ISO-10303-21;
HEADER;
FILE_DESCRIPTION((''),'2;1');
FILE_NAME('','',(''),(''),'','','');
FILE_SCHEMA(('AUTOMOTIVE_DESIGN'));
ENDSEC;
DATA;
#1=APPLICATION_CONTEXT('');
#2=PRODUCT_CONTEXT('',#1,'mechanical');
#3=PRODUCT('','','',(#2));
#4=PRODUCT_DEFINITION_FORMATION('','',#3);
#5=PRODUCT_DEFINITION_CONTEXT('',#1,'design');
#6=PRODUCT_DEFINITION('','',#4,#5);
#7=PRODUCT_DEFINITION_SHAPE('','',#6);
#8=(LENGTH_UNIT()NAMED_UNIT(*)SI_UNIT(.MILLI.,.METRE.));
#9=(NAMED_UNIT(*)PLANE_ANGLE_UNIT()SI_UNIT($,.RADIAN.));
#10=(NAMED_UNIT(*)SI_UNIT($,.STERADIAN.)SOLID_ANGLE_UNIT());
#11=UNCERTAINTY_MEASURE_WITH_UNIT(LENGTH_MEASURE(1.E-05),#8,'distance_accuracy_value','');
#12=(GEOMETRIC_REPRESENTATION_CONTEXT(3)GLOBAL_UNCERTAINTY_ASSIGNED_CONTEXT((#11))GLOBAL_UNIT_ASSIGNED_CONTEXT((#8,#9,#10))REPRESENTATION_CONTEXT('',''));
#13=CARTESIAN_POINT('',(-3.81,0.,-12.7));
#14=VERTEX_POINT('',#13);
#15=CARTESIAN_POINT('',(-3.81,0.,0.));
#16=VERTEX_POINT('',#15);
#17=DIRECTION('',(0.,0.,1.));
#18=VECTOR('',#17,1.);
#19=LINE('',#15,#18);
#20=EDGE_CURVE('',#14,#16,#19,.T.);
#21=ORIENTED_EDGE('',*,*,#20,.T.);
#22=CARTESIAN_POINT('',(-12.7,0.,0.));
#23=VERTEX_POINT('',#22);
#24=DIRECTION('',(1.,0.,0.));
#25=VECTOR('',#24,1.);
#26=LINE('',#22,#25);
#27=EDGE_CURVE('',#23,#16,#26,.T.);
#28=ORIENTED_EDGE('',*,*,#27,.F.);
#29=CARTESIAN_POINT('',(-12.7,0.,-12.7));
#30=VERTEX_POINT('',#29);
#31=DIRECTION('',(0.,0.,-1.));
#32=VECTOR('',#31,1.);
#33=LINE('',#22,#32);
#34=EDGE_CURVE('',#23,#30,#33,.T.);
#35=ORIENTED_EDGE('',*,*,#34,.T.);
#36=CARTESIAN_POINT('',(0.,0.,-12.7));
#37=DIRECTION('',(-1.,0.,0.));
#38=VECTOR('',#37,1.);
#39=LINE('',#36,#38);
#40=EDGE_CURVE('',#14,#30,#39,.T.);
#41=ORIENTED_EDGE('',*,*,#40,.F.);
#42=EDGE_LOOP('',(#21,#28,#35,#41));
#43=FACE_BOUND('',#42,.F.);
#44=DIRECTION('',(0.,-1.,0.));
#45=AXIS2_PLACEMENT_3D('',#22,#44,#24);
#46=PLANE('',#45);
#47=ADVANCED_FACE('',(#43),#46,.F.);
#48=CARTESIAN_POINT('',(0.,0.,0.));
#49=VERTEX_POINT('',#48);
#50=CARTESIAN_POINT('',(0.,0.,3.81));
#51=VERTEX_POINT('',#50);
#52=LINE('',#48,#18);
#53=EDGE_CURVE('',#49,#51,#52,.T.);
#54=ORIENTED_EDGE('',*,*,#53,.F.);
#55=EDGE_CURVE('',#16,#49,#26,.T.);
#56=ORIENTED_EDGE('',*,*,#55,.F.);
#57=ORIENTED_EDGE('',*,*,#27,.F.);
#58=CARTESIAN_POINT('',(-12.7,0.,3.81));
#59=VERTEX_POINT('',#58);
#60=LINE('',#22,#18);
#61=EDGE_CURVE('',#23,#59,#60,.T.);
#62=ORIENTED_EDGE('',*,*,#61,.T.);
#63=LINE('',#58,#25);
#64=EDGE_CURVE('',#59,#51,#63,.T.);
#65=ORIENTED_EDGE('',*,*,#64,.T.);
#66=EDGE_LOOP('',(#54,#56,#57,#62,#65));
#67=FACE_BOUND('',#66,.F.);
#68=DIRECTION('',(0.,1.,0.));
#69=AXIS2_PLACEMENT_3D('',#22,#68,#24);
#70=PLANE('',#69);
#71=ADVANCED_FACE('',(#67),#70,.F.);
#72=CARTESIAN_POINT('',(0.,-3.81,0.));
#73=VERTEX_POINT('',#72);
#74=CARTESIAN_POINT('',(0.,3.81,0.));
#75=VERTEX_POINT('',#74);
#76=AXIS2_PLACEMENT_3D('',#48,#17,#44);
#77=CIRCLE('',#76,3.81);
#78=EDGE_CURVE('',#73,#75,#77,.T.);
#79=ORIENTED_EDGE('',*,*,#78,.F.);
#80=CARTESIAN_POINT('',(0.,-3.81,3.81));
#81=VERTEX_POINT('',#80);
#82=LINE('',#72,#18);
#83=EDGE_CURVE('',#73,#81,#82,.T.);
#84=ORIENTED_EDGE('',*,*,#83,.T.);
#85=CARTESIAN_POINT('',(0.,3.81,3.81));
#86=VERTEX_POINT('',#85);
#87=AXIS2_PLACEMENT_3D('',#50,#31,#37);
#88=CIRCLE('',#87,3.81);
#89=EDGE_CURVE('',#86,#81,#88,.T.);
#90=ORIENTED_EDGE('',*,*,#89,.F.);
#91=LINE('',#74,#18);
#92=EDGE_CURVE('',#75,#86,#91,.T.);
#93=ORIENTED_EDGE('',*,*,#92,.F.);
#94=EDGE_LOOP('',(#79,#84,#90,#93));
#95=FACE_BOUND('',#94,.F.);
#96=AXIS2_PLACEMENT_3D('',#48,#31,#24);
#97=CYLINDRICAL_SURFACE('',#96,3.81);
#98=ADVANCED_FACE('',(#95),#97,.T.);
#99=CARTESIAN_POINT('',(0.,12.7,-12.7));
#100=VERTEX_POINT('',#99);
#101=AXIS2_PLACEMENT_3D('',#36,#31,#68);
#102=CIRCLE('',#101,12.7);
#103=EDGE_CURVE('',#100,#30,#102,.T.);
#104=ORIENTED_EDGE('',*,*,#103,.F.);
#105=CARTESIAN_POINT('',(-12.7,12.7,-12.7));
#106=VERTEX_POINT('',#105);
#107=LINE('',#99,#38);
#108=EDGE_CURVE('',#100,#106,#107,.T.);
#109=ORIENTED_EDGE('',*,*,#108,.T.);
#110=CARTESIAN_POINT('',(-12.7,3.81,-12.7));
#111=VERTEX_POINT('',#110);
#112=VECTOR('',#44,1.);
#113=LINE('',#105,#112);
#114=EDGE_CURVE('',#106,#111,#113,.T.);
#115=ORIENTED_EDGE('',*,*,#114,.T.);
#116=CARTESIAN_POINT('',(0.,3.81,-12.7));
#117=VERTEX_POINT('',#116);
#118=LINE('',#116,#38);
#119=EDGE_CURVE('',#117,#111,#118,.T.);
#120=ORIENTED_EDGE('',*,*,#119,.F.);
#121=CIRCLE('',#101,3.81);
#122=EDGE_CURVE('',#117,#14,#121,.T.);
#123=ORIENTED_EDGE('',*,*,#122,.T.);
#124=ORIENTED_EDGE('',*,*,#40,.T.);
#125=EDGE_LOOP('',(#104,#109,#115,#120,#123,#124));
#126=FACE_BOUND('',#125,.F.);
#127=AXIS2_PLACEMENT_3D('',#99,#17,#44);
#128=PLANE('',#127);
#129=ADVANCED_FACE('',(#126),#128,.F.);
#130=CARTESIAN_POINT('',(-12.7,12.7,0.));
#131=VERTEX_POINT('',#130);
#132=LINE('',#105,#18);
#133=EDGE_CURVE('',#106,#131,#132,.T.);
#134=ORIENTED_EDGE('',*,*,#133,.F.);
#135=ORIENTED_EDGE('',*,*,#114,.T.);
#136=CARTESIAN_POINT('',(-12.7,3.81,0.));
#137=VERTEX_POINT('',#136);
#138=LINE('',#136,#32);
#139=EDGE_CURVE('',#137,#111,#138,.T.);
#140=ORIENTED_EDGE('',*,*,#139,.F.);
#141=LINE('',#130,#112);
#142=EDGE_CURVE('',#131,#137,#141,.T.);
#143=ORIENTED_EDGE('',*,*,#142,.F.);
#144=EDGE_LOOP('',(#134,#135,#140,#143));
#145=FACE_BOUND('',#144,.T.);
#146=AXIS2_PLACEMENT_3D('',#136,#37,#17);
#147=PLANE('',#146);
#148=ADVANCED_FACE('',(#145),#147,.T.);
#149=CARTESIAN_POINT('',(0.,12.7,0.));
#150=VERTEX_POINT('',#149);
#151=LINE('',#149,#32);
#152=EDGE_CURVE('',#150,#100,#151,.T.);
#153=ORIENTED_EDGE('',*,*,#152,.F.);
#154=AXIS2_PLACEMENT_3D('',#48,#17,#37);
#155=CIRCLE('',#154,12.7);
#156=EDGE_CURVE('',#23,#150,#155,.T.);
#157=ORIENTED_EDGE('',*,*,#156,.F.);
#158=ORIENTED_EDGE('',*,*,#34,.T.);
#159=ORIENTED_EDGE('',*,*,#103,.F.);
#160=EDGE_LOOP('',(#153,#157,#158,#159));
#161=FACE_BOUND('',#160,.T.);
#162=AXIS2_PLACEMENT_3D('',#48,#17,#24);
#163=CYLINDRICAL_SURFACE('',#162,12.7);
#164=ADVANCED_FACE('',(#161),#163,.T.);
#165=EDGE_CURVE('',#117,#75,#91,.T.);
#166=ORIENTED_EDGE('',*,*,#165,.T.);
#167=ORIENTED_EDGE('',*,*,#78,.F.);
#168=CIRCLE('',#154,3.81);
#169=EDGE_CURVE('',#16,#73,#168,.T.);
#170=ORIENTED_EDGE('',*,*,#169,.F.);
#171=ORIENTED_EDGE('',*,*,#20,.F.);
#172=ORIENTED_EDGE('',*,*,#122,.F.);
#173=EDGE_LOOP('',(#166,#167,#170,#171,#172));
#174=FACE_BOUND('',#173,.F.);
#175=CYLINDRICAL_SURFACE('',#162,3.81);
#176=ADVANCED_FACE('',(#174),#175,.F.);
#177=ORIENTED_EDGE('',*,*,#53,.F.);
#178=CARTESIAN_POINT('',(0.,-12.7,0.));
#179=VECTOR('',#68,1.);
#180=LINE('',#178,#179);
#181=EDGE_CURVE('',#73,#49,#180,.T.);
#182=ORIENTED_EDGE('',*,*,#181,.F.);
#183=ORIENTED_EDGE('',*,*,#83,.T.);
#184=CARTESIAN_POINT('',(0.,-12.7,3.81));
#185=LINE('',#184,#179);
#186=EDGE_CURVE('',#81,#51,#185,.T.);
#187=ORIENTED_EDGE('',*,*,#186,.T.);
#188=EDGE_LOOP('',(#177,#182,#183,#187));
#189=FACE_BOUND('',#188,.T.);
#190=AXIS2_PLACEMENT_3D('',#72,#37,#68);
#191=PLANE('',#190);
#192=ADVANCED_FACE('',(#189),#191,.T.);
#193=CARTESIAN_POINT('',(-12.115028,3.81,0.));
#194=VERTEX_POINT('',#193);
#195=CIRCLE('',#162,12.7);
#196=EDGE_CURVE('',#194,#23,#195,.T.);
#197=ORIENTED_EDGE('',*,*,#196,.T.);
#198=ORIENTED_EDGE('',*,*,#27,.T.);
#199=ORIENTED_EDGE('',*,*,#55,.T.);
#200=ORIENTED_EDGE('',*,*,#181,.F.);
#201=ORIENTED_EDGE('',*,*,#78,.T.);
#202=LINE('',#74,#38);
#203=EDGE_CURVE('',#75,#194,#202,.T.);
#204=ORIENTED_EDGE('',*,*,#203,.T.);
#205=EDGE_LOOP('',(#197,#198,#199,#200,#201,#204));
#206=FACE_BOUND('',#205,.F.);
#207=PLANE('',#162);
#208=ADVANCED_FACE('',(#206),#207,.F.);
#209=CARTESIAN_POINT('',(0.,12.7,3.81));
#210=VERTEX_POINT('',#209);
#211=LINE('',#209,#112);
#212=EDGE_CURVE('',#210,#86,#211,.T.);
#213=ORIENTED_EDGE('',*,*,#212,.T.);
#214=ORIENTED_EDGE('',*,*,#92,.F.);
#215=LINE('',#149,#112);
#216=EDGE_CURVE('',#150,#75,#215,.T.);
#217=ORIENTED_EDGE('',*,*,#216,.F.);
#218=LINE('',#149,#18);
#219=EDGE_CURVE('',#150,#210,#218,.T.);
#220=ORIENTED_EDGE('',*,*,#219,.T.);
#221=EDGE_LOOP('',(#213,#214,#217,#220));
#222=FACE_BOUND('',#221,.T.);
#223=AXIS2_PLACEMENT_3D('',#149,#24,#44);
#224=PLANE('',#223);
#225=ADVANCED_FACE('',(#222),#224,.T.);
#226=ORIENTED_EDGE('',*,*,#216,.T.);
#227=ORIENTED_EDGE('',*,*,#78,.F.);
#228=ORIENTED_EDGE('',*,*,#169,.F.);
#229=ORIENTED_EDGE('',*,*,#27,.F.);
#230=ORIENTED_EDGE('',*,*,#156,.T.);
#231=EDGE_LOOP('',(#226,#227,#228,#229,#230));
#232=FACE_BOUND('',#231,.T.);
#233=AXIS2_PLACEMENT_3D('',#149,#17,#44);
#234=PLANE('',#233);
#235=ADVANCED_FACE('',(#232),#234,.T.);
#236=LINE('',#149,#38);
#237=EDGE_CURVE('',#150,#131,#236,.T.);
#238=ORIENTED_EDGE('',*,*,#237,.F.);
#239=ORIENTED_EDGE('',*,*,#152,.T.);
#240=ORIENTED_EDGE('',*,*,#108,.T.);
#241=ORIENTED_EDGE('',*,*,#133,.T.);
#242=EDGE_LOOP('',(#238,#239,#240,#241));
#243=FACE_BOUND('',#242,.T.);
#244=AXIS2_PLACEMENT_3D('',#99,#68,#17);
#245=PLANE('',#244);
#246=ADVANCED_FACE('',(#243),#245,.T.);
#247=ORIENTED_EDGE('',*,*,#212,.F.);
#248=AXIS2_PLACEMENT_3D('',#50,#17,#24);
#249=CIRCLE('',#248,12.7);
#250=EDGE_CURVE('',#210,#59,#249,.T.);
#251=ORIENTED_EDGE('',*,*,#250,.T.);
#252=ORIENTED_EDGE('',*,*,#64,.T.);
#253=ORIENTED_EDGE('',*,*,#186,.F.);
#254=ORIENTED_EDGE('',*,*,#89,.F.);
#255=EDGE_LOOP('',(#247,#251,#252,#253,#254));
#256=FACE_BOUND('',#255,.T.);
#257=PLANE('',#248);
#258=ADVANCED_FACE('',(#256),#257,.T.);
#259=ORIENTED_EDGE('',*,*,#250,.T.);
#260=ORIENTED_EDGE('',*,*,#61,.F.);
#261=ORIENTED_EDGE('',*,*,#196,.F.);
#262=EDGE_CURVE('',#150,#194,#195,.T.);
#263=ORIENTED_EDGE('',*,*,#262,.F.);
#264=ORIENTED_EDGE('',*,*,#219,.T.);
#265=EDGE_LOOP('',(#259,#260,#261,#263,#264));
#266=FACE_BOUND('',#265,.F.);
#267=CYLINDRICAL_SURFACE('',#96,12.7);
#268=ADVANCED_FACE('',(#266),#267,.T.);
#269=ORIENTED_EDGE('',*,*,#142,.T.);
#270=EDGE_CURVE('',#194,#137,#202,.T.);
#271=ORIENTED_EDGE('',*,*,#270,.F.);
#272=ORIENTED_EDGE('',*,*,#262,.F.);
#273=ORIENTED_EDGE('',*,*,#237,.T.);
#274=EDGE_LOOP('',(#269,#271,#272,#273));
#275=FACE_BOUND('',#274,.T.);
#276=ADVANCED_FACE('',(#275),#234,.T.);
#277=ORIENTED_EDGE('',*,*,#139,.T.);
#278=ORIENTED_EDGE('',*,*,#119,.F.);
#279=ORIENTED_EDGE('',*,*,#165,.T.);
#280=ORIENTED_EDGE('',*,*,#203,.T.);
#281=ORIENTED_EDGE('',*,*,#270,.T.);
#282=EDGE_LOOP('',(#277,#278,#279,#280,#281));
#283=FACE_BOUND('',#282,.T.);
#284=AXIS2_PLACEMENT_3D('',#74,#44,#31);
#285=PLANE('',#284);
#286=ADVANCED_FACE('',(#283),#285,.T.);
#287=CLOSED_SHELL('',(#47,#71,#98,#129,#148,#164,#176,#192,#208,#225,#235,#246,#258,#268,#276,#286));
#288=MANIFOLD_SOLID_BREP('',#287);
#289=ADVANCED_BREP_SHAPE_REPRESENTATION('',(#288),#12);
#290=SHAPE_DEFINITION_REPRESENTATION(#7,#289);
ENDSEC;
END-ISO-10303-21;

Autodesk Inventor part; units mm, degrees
ref_plane "YZ Plane" through (0, 0, 0) normal (1, 0, 0) x (0, 1, 0)
ref_plane "XZ Plane" through (0, 0, 0) normal (0, 1, 0) x (-1, 0, 0)
ref_plane "XY Plane" through (0, 0, 0) normal (0, 0, 1) x (1, 0, 0)
sketch "Sketch1" plane through (0, 0, 0) normal (0, 0, 1) x (1, 0, 0)
  circle A0 centre (0, 0) radius 12.7
  circle A1 centre (0, 0) radius 3.81
  line L0 (0, 12.7) -> (0, 0)
  line L1 (0, 0) -> (12.7, 0)
  line L2 (0, -12.7) -> (0, 0)
  line L3 (-12.7, 0) -> (0, 0)
  line L4 (0, 3.81) -> (0, 0)
  line L5 (3.81, 0) -> (0, 0)
  line L6 (0, -3.81) -> (0, 0)
  line L7 (-3.81, 0) -> (0, 0)
  dimension "d0" = 25.4
  dimension "d1" = 7.62
extrude "Extrusion1" add sketch "Sketch1" against normal blind 12.7 contours L1 A1 L0 A0 | A0 L2 A1 L1 | L0 A1 L3 A0 | A0 L3 A1 L2
extrude "Extrusion2" cut sketch "Sketch1" against normal blind 12.7 contours L0 A1 L3 A0 | L0 L3 A1
sketch "Sketch2" plane through (0, 3.81, 0) normal (-1, 0, 0) x (0, 0, 1)
  line L0 (-12.7, 8.89) -> (-12.7, -16.51) projected
  line L1 (0, 0) -> (-12.7, 0) projected
  line L2 (-12.7, 8.89) -> (-12.7, 0)
  line L3 (-12.7, 0) -> (0, 0)
  line L4 (0, 8.89) -> (0, -16.51) projected
  line L5 (0, 0) -> (0, 8.89)
  line L6 (-12.7, 8.89) -> (0, 8.89) projected
  line L7 (0, 8.89) -> (-12.7, 8.89)
  point P0 (0, -3.81)
  point P1 (-12.7, -3.81)
extrude "Extrusion3" add sketch "Sketch2" along normal blind 12.7
extrude "Extrusion4" add sketch "Sketch1" along normal blind 3.81 contours A1 L2 L1 | L0 L3 A1
extrude "Extrusion5" add sketch "Sketch1" along normal blind 3.81 contours L1 L0 A1
extrude "Extrusion6" add sketch "Sketch1" along normal blind 3.81 contours L0 A1 L3 A0
properties part number "dope"
